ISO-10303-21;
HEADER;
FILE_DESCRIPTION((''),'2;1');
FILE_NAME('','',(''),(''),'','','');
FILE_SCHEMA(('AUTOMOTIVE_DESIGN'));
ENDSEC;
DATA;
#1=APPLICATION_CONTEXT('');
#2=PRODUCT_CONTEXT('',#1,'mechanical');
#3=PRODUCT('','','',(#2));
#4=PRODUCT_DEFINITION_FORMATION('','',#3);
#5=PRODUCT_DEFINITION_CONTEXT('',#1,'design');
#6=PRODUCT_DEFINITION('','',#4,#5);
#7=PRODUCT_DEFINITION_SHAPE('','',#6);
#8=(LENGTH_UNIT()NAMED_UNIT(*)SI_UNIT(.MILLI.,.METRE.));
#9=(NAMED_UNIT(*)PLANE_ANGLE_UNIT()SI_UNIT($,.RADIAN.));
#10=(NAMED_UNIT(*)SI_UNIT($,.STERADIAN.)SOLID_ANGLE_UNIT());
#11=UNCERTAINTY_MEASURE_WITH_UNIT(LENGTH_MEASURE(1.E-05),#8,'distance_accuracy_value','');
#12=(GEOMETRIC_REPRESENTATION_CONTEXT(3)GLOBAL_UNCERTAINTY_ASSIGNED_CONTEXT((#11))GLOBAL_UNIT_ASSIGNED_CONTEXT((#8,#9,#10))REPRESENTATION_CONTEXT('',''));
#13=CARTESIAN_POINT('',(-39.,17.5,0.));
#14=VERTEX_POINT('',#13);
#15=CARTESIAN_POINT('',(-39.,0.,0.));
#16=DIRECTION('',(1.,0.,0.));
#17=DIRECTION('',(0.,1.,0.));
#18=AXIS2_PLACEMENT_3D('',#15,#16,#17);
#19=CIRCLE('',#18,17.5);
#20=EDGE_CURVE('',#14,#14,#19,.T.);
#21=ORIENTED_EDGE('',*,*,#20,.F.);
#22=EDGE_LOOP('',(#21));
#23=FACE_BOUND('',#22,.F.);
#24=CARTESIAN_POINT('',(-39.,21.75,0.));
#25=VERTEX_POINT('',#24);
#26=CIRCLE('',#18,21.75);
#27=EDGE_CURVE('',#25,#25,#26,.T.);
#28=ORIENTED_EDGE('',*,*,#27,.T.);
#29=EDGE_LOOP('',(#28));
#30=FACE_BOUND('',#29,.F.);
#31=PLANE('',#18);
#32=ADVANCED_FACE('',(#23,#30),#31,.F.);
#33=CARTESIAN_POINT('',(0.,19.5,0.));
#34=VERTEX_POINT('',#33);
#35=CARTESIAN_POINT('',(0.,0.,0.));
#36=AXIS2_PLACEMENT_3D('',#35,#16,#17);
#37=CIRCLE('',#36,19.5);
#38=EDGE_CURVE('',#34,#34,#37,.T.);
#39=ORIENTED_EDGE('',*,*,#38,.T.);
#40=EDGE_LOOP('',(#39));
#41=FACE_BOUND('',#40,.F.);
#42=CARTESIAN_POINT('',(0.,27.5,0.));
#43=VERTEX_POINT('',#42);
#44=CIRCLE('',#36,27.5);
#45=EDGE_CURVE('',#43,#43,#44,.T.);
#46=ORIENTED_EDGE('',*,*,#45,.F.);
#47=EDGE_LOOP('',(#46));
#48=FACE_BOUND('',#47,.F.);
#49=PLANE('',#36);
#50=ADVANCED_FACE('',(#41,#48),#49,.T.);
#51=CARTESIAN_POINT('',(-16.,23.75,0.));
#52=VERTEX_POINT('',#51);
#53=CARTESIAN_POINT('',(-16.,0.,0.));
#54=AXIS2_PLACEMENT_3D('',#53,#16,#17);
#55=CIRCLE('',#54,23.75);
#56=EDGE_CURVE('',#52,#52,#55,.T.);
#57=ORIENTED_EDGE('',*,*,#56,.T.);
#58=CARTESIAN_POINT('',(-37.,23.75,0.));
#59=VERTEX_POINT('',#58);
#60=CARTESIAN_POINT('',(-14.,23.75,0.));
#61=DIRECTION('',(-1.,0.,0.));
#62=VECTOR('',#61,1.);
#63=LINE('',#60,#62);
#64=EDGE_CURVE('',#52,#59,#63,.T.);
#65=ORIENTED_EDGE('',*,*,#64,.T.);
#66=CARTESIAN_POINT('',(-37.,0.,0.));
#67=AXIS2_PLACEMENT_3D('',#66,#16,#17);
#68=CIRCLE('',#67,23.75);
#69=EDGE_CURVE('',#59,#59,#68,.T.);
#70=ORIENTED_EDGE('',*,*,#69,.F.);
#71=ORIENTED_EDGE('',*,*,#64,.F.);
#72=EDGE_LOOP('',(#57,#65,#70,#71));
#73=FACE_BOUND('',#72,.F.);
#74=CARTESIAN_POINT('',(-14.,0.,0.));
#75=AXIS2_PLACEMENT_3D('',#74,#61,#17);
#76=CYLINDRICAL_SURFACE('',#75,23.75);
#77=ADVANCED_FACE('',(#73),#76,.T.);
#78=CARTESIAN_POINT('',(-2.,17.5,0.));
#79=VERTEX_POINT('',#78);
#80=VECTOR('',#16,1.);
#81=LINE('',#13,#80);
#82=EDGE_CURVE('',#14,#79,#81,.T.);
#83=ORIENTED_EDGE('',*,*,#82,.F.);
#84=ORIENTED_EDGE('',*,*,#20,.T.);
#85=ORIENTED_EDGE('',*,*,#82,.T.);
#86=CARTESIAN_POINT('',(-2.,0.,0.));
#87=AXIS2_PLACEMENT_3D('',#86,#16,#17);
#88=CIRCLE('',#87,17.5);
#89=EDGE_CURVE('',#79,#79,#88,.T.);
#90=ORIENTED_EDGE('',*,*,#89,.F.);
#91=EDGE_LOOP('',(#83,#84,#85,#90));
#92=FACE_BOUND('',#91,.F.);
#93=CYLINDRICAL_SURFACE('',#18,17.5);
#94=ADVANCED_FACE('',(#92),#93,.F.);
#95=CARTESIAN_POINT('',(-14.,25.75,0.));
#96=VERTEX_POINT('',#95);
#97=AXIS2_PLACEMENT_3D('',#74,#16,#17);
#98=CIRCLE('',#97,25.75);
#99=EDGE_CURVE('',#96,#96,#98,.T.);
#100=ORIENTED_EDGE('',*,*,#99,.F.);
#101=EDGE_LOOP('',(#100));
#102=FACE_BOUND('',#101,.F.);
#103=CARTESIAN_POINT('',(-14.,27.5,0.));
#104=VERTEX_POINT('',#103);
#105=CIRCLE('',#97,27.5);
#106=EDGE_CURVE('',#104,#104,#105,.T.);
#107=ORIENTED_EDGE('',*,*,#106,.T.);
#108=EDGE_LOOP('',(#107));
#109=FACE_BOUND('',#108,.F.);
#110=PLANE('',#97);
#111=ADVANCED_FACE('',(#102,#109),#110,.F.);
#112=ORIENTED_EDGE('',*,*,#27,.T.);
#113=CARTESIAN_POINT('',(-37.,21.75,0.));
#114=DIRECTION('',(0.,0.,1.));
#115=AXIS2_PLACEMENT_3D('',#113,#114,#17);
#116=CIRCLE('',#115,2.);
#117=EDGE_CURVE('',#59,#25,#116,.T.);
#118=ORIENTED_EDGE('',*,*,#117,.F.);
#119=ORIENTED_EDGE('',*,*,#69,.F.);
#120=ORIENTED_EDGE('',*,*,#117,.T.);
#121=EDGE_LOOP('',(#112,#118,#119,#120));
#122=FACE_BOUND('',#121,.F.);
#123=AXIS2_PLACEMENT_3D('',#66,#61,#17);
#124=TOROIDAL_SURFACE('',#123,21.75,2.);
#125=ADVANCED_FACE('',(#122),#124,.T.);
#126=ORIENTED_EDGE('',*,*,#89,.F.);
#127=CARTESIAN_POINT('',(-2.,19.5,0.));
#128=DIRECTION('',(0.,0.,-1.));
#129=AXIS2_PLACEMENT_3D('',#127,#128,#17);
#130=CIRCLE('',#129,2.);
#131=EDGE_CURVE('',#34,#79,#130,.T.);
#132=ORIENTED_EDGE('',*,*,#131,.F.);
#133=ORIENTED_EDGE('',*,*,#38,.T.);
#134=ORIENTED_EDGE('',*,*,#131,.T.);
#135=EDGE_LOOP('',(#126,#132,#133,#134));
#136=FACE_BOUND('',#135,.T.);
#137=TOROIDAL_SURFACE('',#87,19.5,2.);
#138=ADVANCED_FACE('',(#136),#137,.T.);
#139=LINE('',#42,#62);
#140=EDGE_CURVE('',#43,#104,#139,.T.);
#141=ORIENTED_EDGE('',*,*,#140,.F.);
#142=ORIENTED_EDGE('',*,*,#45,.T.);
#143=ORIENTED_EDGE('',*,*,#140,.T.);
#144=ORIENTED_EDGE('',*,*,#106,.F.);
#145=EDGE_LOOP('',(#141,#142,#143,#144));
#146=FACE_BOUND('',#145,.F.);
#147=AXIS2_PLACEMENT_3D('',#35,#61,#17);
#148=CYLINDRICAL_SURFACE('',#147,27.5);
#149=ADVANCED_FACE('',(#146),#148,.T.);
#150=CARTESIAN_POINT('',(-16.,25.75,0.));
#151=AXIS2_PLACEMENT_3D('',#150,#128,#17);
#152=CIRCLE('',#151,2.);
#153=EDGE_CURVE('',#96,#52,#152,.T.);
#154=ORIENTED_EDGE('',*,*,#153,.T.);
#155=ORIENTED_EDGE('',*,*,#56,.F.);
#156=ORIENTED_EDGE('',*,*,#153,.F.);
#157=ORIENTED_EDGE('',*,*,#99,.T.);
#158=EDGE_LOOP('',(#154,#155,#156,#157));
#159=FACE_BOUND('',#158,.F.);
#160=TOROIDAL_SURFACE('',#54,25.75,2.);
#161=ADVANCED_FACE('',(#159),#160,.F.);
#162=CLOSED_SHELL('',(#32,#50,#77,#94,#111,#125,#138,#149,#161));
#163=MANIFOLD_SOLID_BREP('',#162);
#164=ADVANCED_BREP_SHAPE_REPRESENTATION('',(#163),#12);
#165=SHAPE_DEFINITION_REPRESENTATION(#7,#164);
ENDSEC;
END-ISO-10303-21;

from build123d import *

# Parameters (mm, degrees)
F2_R = 2
F3_R = 2


with BuildPart() as f1:
    # F0 (on Top) → F1 (revolve)
    with BuildSketch(Plane.XY):
        Polygon((0, 17.5), (0, 27.5), (-14, 27.5), (-14, 23.75), (-39, 23.75), (-39, 17.5), align=None)
    revolve(axis=Axis((-10.876282, 0, 0), (1, 0, 0)))

    # F2
    f2_edges = [f1.edges().sort_by_distance(p)[0] for p in [
        (-14, -23.75, 0),
    ]]
    fillet(f2_edges, radius=F2_R)

    # F3
    f3_edges = [f1.edges().sort_by_distance(p)[0] for p in [
        (-39, -23.75, 0),
        (0, -17.5, 0),
    ]]
    fillet(f3_edges, radius=F3_R)


solid = f1.part
